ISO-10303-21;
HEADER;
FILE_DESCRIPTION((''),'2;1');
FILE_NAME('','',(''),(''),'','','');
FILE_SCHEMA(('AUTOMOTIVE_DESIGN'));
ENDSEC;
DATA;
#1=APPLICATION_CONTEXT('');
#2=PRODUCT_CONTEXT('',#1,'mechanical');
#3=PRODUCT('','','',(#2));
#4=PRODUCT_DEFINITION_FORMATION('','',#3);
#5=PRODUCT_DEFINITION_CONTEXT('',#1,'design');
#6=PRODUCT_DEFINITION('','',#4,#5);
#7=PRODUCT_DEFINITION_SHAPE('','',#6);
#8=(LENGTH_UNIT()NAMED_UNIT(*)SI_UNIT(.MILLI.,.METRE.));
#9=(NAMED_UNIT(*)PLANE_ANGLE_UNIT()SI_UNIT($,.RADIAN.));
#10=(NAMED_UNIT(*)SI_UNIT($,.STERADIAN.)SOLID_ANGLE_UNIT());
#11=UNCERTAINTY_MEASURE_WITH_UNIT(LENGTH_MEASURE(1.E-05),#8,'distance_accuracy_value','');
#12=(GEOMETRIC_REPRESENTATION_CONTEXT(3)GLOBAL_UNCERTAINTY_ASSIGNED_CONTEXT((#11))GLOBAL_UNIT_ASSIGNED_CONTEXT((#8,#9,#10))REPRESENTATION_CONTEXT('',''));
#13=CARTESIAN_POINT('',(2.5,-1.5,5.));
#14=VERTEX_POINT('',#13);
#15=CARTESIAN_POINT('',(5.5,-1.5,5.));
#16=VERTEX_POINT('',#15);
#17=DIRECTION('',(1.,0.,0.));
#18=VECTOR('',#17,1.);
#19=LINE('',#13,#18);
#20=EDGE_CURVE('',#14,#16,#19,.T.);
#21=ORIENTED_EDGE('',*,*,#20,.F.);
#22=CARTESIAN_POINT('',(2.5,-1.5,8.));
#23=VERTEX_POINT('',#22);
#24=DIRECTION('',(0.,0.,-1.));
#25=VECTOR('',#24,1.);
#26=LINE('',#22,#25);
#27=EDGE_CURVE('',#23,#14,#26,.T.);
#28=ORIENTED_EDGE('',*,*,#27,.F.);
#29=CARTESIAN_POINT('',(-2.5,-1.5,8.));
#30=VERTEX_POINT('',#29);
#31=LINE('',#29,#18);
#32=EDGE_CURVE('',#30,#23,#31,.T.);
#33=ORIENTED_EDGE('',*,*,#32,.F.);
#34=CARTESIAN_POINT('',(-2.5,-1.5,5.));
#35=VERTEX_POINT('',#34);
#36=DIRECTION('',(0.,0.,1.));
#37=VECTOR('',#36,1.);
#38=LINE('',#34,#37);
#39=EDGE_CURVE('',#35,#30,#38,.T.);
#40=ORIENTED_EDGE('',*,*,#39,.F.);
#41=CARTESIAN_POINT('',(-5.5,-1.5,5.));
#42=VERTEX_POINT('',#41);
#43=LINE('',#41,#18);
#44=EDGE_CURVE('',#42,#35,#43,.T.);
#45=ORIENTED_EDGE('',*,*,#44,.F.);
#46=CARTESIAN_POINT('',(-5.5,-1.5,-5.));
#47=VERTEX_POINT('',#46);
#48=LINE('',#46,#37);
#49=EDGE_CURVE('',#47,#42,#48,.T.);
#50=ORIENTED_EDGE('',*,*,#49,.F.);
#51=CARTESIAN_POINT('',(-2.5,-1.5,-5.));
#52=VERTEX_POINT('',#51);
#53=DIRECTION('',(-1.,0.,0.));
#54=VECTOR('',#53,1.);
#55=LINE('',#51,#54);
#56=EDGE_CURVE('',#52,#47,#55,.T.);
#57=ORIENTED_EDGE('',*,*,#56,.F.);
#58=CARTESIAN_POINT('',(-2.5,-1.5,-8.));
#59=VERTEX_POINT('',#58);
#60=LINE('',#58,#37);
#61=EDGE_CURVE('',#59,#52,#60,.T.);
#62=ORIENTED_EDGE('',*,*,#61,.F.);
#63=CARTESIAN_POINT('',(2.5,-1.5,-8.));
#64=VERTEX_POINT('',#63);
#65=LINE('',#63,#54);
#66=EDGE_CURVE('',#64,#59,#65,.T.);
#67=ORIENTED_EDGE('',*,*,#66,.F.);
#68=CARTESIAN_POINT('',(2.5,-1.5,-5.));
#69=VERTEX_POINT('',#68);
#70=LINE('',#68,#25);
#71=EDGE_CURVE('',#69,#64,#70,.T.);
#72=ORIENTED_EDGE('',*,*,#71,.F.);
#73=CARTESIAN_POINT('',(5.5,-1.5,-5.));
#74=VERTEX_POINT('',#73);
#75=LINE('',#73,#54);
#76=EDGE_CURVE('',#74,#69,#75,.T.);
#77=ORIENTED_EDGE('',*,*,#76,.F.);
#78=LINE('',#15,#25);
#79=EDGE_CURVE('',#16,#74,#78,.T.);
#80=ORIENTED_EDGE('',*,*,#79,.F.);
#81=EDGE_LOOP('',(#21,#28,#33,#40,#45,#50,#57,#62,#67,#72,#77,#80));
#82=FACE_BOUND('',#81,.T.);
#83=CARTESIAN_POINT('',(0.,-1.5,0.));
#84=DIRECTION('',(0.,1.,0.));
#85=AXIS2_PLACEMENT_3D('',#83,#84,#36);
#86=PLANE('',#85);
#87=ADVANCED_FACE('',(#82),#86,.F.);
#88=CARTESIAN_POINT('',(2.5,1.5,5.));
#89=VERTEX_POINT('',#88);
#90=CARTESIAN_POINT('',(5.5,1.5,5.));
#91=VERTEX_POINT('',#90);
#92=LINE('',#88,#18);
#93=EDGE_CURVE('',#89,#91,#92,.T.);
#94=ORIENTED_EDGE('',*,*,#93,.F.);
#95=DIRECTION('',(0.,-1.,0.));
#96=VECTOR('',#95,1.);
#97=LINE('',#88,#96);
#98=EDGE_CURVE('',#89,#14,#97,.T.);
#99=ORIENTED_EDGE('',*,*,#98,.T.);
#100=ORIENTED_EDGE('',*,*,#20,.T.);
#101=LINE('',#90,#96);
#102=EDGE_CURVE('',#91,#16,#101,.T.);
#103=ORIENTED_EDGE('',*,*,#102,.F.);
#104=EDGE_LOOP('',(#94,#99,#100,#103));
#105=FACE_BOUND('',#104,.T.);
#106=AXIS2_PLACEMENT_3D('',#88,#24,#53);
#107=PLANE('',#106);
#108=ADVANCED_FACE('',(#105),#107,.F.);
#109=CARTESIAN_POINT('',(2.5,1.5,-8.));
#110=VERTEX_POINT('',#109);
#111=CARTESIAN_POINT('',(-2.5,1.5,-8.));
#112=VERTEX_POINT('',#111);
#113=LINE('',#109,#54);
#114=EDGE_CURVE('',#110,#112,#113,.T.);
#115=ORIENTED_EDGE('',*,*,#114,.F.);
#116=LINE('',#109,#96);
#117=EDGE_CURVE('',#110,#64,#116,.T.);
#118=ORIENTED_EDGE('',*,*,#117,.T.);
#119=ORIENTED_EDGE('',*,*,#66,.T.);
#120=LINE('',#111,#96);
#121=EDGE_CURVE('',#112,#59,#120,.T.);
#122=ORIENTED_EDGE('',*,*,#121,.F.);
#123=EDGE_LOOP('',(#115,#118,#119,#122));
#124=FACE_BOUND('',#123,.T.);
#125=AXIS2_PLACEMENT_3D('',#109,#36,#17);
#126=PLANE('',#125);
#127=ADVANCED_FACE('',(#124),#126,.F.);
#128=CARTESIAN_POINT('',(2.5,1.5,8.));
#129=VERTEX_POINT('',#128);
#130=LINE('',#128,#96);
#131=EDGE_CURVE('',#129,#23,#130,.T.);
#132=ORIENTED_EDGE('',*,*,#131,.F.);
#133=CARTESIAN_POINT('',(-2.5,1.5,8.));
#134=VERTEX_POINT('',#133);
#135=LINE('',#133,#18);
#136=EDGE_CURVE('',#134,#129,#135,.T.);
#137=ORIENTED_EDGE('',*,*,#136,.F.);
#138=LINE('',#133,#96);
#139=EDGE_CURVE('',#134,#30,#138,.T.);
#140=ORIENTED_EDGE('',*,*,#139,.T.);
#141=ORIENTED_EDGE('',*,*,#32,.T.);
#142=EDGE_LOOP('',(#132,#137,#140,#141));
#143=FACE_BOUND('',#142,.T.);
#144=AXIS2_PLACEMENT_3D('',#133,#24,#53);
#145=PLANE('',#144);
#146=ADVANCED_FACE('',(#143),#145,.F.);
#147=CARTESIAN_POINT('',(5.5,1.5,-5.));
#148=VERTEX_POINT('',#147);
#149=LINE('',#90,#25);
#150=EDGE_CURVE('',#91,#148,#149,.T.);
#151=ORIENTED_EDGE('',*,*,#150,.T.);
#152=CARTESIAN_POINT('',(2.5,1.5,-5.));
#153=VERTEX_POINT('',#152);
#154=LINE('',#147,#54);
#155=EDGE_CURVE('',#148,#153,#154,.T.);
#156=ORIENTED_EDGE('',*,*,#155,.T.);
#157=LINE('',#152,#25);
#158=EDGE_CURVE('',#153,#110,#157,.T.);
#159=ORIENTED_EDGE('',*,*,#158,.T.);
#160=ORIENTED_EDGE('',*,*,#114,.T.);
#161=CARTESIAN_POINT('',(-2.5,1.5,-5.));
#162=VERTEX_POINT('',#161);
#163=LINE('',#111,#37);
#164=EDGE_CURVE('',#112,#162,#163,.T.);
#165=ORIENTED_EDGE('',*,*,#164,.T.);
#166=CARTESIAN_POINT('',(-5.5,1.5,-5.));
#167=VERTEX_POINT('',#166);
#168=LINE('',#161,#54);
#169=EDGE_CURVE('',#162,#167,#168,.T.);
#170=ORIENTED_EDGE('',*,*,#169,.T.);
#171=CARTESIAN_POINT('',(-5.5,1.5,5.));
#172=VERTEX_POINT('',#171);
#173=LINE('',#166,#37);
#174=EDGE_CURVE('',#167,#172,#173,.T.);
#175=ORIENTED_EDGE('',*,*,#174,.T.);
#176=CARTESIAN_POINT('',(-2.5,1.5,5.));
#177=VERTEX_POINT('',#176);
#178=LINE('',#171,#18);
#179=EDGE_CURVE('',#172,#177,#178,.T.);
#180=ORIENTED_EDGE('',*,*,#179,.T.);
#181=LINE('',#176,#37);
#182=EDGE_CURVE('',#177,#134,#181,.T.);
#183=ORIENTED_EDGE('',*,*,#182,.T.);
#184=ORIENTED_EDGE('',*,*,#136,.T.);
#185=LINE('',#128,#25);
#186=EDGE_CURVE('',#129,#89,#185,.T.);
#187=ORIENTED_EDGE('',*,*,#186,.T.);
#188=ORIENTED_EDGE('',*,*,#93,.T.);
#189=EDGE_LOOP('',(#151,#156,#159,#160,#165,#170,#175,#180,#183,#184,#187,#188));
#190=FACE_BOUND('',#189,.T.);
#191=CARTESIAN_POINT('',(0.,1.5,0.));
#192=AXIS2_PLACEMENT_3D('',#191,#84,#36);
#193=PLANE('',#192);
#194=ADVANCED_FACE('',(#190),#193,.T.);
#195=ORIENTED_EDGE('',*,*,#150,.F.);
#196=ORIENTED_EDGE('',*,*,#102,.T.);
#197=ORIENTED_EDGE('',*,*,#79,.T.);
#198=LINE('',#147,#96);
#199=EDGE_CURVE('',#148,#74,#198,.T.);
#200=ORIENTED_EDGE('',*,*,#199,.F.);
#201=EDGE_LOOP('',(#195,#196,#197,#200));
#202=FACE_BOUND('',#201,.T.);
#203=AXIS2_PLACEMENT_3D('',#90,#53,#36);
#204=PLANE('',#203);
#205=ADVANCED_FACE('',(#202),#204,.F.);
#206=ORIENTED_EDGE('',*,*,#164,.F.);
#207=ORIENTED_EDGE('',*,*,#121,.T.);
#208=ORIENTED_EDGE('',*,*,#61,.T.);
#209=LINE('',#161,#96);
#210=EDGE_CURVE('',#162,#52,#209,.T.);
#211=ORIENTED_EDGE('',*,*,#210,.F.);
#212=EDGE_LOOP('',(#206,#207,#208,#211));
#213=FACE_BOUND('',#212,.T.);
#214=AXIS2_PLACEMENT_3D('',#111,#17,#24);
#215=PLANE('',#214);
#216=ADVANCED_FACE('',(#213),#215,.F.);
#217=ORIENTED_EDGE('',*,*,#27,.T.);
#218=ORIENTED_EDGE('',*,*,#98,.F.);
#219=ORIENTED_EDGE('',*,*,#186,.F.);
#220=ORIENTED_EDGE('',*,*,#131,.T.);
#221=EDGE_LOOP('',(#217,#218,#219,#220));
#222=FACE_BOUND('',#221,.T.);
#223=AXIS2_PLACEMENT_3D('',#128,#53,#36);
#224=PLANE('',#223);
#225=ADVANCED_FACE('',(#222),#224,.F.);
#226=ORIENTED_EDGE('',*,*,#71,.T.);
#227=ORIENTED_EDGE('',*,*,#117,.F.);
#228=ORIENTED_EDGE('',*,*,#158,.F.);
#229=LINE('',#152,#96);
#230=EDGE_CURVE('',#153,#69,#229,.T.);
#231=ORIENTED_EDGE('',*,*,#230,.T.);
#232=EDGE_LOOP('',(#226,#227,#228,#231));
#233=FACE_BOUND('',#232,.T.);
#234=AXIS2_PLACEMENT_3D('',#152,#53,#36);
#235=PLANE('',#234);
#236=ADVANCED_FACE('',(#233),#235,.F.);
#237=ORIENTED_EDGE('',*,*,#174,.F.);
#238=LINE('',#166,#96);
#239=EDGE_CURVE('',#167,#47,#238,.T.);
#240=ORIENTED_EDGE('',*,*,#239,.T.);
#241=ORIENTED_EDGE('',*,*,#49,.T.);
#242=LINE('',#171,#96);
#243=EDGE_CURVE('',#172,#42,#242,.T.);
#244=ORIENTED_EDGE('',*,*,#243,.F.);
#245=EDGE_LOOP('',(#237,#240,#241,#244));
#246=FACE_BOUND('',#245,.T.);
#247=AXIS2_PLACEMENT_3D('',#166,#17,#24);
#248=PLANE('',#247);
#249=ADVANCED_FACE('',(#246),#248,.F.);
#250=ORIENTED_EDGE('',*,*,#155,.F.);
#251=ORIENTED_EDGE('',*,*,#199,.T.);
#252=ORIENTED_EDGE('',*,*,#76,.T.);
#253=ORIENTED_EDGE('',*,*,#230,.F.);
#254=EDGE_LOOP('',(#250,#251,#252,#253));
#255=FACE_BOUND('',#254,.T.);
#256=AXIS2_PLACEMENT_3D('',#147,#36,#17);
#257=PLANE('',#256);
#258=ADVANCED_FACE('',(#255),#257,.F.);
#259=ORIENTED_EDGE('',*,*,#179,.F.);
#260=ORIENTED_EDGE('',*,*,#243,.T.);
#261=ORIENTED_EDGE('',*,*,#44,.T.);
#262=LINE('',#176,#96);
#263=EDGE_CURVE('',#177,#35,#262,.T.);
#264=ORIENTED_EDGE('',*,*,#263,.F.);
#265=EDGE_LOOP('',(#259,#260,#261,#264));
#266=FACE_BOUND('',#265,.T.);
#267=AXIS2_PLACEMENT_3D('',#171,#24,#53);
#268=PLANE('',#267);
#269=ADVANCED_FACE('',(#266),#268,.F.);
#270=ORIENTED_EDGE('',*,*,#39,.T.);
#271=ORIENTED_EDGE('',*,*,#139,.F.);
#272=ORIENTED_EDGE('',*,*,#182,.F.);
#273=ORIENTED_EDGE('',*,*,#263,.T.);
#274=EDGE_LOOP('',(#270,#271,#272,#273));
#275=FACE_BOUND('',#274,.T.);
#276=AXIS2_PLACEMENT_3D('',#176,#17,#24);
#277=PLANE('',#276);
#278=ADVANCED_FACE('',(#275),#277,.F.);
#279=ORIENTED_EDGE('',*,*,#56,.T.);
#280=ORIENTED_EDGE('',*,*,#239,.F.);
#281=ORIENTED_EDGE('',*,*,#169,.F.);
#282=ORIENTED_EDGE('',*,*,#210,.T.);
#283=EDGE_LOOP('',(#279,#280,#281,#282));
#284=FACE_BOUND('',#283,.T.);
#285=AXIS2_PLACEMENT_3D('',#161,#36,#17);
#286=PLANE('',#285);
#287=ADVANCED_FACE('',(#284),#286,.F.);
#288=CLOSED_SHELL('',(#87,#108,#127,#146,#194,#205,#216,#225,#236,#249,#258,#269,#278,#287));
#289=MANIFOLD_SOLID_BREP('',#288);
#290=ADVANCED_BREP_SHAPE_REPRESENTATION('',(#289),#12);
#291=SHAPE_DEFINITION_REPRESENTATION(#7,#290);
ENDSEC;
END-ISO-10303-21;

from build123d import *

# Parameters (mm, degrees)
BOSS_EXTRUDE1_DEPTH = 1.5


with BuildPart() as part:
    # Sketch1 → Boss-Extrude1 (new body, symmetric)
    with BuildSketch(Plane(origin=(0, 0, 0), x_dir=(1, 0, 0), z_dir=(0, 1, 0))):
        Polygon((-5.5, 5), (-5.5, -5), (-2.5, -5), (-2.5, -8), (2.5, -8), (2.5, -5), (5.5, -5), (5.5, 5), (2.5, 5), (2.5, 8), (-2.5, 8), (-2.5, 5), align=None)
    extrude(amount=BOSS_EXTRUDE1_DEPTH, both=True)


solid = part.part
